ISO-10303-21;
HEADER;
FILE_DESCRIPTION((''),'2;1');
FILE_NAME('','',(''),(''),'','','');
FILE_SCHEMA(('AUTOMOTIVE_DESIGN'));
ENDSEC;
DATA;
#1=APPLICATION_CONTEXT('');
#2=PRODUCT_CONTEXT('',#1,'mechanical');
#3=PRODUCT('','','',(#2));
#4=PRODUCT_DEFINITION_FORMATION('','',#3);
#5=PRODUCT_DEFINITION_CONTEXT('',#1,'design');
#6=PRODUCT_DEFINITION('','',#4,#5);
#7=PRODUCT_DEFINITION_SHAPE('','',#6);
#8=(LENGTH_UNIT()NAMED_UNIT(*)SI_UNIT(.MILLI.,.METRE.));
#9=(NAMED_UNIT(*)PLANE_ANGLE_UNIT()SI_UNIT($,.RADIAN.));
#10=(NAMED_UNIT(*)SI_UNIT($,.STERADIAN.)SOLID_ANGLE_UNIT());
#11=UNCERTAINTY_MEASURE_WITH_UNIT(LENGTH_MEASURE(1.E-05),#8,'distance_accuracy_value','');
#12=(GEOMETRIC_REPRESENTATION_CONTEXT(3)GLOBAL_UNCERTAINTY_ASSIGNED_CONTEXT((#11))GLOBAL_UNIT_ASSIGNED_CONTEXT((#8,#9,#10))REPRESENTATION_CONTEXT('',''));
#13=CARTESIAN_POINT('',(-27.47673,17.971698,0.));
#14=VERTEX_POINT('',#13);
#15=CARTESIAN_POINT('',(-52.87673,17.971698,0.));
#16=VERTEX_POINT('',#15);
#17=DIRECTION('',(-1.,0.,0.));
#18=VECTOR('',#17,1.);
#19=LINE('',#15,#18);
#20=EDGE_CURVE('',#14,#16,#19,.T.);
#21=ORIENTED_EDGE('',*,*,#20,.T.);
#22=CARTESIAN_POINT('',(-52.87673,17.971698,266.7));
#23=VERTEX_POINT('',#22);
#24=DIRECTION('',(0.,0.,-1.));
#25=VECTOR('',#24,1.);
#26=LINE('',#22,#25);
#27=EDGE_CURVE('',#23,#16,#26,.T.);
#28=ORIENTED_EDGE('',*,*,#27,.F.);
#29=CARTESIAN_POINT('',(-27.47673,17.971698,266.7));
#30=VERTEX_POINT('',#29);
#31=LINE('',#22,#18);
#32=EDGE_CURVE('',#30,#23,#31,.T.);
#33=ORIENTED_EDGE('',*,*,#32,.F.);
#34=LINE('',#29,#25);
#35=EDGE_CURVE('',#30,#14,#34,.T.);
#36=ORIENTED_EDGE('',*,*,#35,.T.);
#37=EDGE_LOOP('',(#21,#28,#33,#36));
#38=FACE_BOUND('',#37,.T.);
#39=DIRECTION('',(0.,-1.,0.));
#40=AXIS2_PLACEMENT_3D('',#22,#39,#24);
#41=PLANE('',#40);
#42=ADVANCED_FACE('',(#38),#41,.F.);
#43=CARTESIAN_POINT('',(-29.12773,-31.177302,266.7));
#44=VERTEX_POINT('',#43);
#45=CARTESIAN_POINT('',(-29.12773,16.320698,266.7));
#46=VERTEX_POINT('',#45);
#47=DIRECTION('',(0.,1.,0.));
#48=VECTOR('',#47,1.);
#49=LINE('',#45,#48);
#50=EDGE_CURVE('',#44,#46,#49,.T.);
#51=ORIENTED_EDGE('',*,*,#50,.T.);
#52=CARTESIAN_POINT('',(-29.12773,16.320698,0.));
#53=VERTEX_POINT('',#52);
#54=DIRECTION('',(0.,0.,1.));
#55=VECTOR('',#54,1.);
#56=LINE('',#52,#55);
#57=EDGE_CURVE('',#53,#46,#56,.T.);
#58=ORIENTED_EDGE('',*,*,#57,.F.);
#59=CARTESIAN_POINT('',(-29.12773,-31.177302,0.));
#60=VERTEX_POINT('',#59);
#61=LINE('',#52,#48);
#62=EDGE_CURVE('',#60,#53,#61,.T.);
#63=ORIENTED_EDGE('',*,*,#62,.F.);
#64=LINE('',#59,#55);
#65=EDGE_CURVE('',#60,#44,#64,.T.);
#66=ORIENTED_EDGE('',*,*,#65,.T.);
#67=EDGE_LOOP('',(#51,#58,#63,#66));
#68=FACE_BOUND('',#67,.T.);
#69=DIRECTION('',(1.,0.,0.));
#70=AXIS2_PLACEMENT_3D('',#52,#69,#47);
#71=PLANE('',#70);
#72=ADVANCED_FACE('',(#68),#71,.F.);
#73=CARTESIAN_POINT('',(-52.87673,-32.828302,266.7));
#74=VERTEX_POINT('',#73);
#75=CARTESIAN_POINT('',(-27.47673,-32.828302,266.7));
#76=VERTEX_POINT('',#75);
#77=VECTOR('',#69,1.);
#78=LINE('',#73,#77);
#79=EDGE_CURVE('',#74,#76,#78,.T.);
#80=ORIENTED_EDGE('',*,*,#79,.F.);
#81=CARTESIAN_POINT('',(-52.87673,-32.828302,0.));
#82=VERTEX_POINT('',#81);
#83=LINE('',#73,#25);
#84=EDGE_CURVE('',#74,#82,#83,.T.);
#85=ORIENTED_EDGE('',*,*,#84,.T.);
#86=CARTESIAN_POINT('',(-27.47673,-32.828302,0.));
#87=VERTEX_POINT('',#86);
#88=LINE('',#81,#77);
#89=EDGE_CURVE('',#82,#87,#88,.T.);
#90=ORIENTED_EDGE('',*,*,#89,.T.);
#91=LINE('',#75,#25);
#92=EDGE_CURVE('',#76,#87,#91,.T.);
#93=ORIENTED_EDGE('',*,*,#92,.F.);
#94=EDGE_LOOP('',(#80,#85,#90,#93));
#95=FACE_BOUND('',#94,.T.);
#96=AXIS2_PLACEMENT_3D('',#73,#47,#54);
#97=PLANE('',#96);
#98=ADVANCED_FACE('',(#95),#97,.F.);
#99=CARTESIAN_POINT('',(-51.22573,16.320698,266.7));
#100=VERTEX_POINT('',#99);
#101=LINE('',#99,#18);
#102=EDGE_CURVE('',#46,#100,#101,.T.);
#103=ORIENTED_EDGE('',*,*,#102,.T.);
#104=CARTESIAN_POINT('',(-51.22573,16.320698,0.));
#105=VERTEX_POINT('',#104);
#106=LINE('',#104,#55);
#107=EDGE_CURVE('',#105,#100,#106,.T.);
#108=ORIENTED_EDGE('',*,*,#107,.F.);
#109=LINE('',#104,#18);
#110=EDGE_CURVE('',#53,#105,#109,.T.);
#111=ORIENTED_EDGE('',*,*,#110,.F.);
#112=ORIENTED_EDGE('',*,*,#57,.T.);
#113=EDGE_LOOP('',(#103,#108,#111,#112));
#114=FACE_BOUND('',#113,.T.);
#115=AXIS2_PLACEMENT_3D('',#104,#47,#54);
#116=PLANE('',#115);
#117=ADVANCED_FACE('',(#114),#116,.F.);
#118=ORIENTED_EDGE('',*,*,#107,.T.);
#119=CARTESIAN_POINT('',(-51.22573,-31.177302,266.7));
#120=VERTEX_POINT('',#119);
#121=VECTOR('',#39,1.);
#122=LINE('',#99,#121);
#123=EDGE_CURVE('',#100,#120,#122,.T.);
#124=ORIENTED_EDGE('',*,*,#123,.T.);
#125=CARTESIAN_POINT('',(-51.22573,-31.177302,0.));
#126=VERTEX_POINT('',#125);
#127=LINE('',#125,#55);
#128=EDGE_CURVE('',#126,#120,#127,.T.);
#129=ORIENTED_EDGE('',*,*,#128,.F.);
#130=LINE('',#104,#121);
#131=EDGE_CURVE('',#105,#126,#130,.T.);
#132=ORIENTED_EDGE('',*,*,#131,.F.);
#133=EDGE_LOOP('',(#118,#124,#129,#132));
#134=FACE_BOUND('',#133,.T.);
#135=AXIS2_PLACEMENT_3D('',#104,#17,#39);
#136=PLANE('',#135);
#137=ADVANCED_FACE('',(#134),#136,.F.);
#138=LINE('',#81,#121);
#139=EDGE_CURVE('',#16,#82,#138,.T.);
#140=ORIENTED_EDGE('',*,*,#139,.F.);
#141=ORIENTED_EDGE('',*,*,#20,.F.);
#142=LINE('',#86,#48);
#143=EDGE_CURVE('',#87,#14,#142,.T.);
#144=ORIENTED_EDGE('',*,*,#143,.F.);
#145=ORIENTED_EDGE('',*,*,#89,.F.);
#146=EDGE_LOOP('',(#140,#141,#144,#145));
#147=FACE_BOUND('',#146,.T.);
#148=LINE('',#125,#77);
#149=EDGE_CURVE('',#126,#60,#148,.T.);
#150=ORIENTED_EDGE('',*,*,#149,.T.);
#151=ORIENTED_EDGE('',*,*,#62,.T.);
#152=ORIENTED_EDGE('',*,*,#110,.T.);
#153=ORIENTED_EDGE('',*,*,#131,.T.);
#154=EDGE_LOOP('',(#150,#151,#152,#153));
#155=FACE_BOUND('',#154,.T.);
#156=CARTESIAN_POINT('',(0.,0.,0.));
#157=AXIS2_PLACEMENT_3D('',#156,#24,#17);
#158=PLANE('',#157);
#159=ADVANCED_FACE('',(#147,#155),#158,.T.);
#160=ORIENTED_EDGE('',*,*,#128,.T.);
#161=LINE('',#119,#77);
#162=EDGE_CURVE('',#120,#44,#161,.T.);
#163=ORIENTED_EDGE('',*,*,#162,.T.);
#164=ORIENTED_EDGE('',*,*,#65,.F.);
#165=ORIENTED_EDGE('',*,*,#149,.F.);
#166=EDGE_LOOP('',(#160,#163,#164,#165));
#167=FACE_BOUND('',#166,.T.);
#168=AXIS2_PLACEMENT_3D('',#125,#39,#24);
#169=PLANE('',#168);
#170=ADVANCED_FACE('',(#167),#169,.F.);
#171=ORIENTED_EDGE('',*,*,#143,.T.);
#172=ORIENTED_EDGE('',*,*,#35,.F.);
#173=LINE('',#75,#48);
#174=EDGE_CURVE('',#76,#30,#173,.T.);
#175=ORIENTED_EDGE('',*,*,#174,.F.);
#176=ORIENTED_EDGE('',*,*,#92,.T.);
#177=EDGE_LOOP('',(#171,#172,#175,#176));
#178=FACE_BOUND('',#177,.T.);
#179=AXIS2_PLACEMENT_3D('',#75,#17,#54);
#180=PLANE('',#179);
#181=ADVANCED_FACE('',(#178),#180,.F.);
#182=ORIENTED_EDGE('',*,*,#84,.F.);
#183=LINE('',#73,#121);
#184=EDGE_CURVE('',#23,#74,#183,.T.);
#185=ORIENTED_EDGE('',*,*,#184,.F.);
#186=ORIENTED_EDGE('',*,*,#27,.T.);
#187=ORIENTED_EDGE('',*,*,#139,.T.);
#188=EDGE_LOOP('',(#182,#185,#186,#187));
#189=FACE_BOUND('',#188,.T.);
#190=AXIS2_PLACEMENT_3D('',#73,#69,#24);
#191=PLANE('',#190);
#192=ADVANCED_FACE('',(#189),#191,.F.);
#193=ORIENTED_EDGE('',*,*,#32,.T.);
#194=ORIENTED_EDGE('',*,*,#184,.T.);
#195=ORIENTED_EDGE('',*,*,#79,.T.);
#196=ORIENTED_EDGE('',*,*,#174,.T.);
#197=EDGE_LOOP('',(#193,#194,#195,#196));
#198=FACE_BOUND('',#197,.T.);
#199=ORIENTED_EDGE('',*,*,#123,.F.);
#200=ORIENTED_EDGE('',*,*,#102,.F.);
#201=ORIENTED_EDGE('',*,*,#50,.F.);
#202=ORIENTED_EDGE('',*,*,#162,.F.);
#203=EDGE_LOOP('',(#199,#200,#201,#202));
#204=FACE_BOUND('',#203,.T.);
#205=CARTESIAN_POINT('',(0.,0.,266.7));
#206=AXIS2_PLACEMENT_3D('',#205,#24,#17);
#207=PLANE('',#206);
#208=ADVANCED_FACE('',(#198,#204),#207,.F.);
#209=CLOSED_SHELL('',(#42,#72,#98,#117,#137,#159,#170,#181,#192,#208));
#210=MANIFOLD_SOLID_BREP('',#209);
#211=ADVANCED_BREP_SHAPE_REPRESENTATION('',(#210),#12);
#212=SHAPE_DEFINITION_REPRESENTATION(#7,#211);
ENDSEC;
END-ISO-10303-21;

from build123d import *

# Parameters (mm, degrees)
SKETCH1_W           = 25.4
SKETCH1_H           = 50.8
BOSS_EXTRUDE1_DEPTH = 266.7
SKETCH2_W           = 22.098
SKETCH2_H           = 47.498
CUT_EXTRUDE1_DEPTH  = 274.865908674


with BuildPart() as part:
    # Sketch1 → Boss-Extrude1 (new body)
    with BuildSketch(Plane.XY):
        with Locations((-40.17672956, -7.428301887)):
            Rectangle(SKETCH1_W, SKETCH1_H)
    extrude(amount=BOSS_EXTRUDE1_DEPTH)

    # Sketch2 → Cut-Extrude1 (cut, through all)
    with BuildSketch(Plane.XY.offset(266.7)):
        with Locations((-40.17672956, -7.428301887)):
            Rectangle(SKETCH2_W, SKETCH2_H)
    extrude(amount=-CUT_EXTRUDE1_DEPTH, mode=Mode.SUBTRACT)


solid = part.part
